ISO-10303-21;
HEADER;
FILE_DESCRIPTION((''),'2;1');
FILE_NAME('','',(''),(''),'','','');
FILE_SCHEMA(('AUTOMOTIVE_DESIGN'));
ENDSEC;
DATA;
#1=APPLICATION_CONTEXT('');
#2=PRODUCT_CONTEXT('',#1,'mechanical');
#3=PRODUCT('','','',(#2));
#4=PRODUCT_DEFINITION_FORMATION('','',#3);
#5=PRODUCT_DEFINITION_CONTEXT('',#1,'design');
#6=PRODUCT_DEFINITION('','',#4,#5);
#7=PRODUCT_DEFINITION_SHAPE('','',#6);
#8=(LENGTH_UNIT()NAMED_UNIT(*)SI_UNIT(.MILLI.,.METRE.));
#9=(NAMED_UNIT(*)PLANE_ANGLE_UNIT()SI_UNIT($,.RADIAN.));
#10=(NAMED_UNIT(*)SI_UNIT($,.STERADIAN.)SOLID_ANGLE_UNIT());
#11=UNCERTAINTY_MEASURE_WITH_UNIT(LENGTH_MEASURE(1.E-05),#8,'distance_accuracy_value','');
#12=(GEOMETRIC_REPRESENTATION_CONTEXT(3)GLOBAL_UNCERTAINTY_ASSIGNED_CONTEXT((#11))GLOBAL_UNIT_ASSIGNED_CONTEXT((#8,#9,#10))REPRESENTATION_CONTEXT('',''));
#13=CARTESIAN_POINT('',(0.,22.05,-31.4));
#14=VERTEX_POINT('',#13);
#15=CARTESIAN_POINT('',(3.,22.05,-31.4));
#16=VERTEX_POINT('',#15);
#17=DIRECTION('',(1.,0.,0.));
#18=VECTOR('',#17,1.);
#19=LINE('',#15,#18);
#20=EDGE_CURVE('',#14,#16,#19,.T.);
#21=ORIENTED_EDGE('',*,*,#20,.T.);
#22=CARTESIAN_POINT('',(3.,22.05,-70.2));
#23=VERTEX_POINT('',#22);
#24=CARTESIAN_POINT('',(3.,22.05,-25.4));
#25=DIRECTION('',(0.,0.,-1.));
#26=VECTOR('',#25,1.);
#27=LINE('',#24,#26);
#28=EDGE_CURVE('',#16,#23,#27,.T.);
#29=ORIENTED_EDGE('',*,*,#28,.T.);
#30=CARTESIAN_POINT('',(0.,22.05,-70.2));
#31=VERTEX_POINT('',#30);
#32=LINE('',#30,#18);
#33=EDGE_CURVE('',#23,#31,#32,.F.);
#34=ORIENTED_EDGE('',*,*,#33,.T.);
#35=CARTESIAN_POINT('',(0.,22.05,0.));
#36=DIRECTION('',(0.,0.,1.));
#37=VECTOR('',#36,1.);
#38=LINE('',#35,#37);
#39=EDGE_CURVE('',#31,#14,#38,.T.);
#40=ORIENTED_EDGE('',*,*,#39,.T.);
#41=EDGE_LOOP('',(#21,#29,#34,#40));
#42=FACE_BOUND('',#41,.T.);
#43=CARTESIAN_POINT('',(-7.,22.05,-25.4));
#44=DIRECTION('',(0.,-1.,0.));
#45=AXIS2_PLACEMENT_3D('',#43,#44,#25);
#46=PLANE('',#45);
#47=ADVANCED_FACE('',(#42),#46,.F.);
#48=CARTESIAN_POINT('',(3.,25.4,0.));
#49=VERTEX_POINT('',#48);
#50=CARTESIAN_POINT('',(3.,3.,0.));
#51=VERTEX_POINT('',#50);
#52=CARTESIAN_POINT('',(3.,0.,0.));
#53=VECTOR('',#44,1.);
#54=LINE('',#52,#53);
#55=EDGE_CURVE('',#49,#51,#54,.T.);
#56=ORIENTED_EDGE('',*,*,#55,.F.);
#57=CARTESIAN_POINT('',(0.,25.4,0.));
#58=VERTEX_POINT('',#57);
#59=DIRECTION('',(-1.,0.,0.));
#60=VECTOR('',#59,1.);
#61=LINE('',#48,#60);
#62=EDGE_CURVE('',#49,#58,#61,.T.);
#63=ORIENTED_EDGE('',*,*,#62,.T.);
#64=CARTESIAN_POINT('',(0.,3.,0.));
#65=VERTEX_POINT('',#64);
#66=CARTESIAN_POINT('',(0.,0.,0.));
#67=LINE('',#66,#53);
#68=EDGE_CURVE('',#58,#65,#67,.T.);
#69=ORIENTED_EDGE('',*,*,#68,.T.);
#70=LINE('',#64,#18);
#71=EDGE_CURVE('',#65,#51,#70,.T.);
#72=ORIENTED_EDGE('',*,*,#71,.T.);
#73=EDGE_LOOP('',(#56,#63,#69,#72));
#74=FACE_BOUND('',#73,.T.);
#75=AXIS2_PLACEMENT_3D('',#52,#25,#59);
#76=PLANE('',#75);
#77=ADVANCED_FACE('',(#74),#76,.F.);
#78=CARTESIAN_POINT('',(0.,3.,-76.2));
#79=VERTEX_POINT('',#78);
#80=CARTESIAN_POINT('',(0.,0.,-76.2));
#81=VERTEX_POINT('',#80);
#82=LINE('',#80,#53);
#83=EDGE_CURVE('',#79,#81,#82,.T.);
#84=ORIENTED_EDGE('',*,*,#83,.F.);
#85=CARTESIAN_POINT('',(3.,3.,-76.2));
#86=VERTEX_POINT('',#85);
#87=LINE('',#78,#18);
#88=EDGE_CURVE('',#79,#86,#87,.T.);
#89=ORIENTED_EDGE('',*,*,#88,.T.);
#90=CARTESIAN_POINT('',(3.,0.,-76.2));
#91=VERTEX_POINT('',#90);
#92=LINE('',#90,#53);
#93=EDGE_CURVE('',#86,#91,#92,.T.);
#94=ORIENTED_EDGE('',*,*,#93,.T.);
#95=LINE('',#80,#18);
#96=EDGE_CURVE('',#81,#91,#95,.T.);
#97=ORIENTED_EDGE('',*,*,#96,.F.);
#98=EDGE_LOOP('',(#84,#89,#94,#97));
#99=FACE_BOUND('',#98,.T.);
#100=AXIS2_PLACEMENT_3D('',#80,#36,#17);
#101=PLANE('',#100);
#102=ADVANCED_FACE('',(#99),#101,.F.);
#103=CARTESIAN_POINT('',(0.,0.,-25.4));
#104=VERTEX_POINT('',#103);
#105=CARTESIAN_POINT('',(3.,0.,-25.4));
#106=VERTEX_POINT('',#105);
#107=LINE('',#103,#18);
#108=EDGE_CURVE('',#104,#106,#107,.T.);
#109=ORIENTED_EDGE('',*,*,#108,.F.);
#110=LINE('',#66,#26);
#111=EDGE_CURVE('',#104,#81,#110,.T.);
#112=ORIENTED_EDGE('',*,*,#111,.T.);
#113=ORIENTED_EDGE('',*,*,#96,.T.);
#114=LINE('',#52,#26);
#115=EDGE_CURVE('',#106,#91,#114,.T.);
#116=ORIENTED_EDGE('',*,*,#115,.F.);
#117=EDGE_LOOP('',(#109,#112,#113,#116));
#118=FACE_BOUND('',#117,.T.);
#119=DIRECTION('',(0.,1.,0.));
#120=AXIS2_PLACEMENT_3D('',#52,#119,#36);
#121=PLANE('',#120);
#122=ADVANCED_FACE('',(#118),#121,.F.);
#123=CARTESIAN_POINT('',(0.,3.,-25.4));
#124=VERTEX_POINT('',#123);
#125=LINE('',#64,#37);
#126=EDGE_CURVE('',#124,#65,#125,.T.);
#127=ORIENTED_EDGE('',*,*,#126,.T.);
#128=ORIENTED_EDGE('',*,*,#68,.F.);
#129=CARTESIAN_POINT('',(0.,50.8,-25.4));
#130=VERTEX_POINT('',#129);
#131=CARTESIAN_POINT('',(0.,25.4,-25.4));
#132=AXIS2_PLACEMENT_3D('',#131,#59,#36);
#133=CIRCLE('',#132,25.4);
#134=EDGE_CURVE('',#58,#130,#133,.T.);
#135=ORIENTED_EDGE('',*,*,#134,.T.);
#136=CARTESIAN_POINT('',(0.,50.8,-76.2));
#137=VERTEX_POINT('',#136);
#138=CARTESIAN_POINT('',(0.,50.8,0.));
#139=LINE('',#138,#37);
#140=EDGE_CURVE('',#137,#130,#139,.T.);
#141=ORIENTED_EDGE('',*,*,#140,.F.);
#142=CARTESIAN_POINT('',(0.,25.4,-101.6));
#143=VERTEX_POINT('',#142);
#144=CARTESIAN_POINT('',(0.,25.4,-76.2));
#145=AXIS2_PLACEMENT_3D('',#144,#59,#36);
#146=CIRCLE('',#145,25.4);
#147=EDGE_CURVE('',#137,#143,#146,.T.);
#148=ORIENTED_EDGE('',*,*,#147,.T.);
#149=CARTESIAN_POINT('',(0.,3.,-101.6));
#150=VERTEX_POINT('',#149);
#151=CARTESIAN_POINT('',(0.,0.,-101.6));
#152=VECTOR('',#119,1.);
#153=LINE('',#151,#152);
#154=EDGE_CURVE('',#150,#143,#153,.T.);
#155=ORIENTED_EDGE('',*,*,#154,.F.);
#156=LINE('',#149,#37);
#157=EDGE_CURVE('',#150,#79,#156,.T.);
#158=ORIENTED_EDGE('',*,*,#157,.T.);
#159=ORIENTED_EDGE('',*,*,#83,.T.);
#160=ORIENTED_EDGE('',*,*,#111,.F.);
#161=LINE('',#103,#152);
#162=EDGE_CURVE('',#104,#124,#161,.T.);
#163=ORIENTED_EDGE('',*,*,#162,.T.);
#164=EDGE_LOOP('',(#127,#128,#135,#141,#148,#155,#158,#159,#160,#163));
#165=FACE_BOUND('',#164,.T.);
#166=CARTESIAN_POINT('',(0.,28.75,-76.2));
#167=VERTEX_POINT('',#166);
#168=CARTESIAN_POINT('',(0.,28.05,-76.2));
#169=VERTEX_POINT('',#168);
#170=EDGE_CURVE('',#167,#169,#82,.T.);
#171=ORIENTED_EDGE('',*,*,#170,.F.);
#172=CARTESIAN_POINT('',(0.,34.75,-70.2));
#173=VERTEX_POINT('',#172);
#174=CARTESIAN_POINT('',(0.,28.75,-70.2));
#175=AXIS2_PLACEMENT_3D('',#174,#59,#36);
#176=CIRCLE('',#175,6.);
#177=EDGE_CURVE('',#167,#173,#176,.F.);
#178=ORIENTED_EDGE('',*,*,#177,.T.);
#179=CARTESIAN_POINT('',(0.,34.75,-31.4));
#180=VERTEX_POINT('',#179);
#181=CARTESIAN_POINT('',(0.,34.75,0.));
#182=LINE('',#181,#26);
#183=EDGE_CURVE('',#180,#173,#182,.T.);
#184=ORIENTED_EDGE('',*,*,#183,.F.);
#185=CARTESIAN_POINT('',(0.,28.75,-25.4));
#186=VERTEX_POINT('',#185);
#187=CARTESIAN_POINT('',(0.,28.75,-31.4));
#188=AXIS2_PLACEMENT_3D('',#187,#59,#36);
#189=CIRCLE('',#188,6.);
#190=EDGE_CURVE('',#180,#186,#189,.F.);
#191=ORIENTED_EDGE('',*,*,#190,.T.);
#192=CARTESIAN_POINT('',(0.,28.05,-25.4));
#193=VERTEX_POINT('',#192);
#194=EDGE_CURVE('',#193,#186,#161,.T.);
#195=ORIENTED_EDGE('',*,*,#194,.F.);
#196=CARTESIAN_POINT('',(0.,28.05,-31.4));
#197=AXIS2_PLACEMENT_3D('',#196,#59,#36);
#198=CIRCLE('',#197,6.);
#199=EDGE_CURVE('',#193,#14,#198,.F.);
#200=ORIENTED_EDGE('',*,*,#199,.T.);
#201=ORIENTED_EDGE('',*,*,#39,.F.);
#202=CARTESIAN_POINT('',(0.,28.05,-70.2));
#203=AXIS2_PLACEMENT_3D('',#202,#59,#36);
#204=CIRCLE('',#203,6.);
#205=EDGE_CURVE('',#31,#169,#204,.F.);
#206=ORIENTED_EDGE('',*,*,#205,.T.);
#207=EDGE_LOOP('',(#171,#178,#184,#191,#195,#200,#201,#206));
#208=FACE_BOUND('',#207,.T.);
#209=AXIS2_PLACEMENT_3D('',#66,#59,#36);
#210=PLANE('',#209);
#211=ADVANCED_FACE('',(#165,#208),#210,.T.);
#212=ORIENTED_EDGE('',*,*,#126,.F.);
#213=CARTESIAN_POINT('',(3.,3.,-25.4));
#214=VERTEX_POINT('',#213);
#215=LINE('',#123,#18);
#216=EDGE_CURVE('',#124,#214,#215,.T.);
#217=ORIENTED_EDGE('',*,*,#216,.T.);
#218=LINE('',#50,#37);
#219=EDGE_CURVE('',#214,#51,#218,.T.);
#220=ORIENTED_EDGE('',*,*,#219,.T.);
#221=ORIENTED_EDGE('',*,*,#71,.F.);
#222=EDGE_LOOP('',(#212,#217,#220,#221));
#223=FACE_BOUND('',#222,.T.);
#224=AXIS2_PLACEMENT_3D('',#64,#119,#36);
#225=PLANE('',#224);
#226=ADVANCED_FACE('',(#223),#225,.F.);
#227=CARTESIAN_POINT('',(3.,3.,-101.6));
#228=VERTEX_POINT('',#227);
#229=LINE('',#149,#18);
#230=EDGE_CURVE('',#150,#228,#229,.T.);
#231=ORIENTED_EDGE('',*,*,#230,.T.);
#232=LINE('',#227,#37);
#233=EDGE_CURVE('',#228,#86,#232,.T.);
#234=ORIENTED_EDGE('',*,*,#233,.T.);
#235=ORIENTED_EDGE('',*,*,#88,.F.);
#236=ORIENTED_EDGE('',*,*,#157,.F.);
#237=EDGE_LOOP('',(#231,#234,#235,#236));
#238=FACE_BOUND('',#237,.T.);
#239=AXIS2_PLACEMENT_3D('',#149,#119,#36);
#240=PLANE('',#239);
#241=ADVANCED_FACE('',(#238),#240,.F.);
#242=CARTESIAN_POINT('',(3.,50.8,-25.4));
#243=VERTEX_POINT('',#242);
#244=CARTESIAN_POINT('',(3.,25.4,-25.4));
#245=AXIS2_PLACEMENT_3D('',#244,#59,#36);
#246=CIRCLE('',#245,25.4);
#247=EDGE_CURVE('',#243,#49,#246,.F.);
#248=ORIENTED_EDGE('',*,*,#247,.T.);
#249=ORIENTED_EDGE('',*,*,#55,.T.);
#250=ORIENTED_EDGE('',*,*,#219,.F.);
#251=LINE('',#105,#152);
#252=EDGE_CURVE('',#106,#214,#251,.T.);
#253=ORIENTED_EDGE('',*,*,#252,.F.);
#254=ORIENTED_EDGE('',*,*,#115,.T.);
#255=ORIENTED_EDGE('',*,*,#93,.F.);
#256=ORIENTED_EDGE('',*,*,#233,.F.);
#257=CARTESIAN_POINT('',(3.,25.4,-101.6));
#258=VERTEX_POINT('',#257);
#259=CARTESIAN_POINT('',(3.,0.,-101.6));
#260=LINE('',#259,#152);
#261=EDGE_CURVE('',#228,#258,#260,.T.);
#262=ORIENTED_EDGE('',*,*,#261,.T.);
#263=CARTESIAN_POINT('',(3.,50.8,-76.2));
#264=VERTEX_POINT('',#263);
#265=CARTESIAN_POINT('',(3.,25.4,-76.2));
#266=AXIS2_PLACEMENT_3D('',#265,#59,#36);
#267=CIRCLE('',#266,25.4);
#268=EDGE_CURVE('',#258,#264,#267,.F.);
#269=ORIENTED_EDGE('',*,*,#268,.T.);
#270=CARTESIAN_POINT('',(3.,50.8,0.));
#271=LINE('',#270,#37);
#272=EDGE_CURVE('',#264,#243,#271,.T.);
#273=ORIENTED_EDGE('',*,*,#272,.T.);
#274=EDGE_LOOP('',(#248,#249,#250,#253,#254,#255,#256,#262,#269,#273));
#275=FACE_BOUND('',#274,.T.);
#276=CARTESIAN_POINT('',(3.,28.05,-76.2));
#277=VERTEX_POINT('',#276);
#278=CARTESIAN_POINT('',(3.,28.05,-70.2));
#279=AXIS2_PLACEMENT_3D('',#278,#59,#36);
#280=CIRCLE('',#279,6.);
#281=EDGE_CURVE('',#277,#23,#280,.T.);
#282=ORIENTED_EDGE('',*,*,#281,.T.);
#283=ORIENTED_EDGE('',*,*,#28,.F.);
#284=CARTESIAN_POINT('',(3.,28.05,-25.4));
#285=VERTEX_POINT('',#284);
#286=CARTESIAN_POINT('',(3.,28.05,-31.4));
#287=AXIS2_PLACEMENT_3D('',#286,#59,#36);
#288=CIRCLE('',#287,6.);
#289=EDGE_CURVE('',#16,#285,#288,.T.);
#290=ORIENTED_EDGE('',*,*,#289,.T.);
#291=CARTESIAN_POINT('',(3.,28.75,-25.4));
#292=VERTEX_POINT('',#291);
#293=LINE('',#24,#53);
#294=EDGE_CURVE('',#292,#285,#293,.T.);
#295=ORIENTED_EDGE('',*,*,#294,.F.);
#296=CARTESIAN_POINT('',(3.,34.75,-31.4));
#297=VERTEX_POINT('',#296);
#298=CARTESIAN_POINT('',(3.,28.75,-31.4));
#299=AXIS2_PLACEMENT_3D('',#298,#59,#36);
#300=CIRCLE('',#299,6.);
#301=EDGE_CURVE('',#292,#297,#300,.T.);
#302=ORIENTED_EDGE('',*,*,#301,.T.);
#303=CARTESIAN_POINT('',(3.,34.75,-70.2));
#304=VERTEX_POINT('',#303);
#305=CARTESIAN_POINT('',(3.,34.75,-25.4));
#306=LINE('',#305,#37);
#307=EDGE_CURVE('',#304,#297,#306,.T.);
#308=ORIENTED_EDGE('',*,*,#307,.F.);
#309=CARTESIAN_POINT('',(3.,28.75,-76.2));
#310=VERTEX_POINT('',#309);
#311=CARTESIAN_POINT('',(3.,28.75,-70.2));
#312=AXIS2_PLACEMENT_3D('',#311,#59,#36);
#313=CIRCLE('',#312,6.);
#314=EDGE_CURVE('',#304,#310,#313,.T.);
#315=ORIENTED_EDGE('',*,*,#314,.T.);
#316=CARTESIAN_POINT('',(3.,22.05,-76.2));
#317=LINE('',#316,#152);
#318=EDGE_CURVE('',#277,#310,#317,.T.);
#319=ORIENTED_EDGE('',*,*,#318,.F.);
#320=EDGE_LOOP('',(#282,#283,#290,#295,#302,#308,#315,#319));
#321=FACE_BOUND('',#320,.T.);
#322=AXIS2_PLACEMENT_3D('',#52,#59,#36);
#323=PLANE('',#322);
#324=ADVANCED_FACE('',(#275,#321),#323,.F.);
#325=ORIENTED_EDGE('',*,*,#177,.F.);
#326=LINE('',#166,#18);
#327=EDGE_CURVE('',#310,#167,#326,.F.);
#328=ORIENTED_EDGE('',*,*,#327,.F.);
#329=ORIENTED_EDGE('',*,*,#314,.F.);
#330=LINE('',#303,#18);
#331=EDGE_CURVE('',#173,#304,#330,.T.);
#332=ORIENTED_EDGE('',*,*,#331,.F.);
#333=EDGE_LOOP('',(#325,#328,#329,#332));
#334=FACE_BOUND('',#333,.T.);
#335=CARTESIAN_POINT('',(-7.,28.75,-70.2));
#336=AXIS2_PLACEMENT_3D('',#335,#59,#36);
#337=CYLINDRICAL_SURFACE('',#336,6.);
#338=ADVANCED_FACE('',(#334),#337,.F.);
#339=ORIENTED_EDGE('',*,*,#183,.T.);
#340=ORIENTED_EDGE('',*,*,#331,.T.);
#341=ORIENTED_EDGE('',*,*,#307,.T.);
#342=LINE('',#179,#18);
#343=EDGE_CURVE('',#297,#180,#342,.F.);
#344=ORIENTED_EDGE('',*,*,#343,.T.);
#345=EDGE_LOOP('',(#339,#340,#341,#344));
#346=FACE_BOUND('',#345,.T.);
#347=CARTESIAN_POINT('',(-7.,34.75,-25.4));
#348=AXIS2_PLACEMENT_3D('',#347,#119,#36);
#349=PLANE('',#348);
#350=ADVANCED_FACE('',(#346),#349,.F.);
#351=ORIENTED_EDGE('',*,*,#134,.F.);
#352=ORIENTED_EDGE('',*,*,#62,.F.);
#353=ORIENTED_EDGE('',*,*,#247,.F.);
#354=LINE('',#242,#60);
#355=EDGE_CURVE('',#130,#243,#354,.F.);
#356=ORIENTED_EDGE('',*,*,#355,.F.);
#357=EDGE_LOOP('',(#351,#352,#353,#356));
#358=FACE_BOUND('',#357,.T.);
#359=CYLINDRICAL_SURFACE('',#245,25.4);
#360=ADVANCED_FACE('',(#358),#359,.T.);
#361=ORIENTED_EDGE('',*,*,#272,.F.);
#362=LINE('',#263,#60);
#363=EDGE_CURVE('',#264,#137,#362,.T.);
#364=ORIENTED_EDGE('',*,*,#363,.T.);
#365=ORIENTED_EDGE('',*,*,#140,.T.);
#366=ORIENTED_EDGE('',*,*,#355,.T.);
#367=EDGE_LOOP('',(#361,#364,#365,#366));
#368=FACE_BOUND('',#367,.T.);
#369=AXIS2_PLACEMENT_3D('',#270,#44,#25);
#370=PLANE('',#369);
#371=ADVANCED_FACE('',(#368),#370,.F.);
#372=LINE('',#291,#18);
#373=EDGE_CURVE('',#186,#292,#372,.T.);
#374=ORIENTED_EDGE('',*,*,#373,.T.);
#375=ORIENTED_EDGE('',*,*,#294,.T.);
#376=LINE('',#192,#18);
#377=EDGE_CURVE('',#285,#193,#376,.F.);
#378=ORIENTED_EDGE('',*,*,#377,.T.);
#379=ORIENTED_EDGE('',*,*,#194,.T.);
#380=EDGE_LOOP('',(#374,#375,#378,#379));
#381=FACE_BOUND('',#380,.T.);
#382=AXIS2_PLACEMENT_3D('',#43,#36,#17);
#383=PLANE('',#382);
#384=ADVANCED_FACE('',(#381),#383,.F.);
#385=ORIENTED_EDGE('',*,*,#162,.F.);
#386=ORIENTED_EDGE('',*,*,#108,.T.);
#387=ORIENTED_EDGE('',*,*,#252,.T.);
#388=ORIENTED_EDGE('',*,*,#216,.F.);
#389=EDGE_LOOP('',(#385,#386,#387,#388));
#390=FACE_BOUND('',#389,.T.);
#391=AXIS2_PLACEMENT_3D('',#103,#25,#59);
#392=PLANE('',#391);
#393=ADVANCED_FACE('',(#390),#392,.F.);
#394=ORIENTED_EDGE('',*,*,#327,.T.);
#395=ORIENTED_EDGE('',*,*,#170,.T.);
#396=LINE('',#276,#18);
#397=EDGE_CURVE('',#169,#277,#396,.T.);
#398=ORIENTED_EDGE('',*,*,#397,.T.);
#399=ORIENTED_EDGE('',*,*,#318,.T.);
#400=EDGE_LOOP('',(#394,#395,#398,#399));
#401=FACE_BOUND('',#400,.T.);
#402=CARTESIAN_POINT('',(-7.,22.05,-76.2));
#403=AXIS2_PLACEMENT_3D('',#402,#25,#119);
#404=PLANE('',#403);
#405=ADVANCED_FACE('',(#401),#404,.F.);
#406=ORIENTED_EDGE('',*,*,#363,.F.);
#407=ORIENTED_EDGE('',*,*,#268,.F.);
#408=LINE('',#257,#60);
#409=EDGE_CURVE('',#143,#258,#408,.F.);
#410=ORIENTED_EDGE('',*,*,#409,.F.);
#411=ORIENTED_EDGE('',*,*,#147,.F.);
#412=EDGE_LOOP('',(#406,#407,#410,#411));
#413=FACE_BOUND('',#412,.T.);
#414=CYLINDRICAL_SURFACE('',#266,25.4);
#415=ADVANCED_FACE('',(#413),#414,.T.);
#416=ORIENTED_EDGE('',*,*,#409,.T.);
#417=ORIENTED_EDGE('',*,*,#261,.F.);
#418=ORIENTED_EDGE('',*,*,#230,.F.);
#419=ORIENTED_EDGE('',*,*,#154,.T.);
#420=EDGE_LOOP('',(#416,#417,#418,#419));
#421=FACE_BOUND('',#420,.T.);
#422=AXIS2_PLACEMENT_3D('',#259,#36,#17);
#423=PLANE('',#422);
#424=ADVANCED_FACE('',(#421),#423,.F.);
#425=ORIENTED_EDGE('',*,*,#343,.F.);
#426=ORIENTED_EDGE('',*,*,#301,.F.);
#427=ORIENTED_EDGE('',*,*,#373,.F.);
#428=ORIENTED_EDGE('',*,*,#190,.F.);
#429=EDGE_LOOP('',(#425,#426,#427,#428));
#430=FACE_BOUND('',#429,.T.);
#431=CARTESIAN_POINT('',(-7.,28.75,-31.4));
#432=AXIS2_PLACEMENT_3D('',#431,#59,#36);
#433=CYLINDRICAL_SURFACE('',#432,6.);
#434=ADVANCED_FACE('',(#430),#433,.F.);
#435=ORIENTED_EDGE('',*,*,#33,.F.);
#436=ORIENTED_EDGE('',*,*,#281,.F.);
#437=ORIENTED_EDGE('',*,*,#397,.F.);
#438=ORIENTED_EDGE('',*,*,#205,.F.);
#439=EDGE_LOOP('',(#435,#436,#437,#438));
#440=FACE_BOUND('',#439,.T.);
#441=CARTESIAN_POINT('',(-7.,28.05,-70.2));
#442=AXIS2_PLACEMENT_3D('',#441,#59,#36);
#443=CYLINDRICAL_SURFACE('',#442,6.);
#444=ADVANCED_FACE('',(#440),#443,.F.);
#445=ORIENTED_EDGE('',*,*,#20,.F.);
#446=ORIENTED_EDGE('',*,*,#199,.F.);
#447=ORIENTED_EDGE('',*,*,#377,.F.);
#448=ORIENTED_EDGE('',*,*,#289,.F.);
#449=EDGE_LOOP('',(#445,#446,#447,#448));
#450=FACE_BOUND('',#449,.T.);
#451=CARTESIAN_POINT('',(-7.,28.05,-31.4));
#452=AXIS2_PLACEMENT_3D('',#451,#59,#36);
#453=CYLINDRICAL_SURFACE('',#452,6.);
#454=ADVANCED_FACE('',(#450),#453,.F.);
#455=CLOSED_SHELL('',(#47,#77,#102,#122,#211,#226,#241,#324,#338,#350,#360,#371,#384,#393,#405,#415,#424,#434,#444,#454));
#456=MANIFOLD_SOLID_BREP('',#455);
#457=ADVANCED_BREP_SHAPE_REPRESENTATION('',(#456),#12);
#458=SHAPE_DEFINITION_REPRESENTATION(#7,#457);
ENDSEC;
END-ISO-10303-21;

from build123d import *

# Parameters (mm, degrees)
SKETCH2_W           = 101.6
SKETCH2_H           = 50.8
BOSS_EXTRUDE1_DEPTH = 3
FILLET1_R           = 25.4
SKETCH4_W           = 25.4
SKETCH4_H           = 3
CUT_EXTRUDE1_DEPTH  = 3
SKETCH6_W           = 50.8
SKETCH6_H           = 12.7
CUT_EXTRUDE2_DEPTH  = 10
FILLET2_R           = 6


with BuildPart() as part:
    # Sketch2 → Boss-Extrude1 (new body)
    with BuildSketch(Plane(origin=(0, 0, 0), x_dir=(0, 0, -1), z_dir=(1, 0, 0))):
        with Locations((50.8, 25.4)):
            Rectangle(SKETCH2_W, SKETCH2_H)
    extrude(amount=BOSS_EXTRUDE1_DEPTH)

    # Fillet1
    fillet1_edges = [part.edges().sort_by_distance(p)[0] for p in [
        (1.5, 50.8, 0),
        (1.5, 50.8, -101.6),
    ]]
    fillet(fillet1_edges, radius=FILLET1_R)

    # Sketch4 → Cut-Extrude1 (cut)
    with BuildSketch(Plane(origin=(3, 0, 0), x_dir=(0, 0, -1), z_dir=(1, 0, 0))):
        with Locations((12.7, 1.5)):
            Rectangle(SKETCH4_W, SKETCH4_H)
        with Locations((88.9, 1.5)):
            Rectangle(SKETCH4_W, SKETCH4_H)
    extrude(amount=-CUT_EXTRUDE1_DEPTH, mode=Mode.SUBTRACT)

    # Sketch6 → Cut-Extrude2 (cut)
    with BuildSketch(Plane(origin=(3, 0, 0), x_dir=(0, 0, -1), z_dir=(1, 0, 0))):
        with Locations((50.8, 28.4)):
            Rectangle(SKETCH6_W, SKETCH6_H)
    extrude(amount=-CUT_EXTRUDE2_DEPTH, mode=Mode.SUBTRACT)

    # Fillet2
    fillet2_edges = [part.edges().sort_by_distance(p)[0] for p in [
        (1.5, 22.05, -25.4),
        (1.5, 34.75, -25.4),
        (1.5, 34.75, -76.2),
        (1.5, 22.05, -76.2),
    ]]
    fillet(fillet2_edges, radius=FILLET2_R)


solid = part.part
